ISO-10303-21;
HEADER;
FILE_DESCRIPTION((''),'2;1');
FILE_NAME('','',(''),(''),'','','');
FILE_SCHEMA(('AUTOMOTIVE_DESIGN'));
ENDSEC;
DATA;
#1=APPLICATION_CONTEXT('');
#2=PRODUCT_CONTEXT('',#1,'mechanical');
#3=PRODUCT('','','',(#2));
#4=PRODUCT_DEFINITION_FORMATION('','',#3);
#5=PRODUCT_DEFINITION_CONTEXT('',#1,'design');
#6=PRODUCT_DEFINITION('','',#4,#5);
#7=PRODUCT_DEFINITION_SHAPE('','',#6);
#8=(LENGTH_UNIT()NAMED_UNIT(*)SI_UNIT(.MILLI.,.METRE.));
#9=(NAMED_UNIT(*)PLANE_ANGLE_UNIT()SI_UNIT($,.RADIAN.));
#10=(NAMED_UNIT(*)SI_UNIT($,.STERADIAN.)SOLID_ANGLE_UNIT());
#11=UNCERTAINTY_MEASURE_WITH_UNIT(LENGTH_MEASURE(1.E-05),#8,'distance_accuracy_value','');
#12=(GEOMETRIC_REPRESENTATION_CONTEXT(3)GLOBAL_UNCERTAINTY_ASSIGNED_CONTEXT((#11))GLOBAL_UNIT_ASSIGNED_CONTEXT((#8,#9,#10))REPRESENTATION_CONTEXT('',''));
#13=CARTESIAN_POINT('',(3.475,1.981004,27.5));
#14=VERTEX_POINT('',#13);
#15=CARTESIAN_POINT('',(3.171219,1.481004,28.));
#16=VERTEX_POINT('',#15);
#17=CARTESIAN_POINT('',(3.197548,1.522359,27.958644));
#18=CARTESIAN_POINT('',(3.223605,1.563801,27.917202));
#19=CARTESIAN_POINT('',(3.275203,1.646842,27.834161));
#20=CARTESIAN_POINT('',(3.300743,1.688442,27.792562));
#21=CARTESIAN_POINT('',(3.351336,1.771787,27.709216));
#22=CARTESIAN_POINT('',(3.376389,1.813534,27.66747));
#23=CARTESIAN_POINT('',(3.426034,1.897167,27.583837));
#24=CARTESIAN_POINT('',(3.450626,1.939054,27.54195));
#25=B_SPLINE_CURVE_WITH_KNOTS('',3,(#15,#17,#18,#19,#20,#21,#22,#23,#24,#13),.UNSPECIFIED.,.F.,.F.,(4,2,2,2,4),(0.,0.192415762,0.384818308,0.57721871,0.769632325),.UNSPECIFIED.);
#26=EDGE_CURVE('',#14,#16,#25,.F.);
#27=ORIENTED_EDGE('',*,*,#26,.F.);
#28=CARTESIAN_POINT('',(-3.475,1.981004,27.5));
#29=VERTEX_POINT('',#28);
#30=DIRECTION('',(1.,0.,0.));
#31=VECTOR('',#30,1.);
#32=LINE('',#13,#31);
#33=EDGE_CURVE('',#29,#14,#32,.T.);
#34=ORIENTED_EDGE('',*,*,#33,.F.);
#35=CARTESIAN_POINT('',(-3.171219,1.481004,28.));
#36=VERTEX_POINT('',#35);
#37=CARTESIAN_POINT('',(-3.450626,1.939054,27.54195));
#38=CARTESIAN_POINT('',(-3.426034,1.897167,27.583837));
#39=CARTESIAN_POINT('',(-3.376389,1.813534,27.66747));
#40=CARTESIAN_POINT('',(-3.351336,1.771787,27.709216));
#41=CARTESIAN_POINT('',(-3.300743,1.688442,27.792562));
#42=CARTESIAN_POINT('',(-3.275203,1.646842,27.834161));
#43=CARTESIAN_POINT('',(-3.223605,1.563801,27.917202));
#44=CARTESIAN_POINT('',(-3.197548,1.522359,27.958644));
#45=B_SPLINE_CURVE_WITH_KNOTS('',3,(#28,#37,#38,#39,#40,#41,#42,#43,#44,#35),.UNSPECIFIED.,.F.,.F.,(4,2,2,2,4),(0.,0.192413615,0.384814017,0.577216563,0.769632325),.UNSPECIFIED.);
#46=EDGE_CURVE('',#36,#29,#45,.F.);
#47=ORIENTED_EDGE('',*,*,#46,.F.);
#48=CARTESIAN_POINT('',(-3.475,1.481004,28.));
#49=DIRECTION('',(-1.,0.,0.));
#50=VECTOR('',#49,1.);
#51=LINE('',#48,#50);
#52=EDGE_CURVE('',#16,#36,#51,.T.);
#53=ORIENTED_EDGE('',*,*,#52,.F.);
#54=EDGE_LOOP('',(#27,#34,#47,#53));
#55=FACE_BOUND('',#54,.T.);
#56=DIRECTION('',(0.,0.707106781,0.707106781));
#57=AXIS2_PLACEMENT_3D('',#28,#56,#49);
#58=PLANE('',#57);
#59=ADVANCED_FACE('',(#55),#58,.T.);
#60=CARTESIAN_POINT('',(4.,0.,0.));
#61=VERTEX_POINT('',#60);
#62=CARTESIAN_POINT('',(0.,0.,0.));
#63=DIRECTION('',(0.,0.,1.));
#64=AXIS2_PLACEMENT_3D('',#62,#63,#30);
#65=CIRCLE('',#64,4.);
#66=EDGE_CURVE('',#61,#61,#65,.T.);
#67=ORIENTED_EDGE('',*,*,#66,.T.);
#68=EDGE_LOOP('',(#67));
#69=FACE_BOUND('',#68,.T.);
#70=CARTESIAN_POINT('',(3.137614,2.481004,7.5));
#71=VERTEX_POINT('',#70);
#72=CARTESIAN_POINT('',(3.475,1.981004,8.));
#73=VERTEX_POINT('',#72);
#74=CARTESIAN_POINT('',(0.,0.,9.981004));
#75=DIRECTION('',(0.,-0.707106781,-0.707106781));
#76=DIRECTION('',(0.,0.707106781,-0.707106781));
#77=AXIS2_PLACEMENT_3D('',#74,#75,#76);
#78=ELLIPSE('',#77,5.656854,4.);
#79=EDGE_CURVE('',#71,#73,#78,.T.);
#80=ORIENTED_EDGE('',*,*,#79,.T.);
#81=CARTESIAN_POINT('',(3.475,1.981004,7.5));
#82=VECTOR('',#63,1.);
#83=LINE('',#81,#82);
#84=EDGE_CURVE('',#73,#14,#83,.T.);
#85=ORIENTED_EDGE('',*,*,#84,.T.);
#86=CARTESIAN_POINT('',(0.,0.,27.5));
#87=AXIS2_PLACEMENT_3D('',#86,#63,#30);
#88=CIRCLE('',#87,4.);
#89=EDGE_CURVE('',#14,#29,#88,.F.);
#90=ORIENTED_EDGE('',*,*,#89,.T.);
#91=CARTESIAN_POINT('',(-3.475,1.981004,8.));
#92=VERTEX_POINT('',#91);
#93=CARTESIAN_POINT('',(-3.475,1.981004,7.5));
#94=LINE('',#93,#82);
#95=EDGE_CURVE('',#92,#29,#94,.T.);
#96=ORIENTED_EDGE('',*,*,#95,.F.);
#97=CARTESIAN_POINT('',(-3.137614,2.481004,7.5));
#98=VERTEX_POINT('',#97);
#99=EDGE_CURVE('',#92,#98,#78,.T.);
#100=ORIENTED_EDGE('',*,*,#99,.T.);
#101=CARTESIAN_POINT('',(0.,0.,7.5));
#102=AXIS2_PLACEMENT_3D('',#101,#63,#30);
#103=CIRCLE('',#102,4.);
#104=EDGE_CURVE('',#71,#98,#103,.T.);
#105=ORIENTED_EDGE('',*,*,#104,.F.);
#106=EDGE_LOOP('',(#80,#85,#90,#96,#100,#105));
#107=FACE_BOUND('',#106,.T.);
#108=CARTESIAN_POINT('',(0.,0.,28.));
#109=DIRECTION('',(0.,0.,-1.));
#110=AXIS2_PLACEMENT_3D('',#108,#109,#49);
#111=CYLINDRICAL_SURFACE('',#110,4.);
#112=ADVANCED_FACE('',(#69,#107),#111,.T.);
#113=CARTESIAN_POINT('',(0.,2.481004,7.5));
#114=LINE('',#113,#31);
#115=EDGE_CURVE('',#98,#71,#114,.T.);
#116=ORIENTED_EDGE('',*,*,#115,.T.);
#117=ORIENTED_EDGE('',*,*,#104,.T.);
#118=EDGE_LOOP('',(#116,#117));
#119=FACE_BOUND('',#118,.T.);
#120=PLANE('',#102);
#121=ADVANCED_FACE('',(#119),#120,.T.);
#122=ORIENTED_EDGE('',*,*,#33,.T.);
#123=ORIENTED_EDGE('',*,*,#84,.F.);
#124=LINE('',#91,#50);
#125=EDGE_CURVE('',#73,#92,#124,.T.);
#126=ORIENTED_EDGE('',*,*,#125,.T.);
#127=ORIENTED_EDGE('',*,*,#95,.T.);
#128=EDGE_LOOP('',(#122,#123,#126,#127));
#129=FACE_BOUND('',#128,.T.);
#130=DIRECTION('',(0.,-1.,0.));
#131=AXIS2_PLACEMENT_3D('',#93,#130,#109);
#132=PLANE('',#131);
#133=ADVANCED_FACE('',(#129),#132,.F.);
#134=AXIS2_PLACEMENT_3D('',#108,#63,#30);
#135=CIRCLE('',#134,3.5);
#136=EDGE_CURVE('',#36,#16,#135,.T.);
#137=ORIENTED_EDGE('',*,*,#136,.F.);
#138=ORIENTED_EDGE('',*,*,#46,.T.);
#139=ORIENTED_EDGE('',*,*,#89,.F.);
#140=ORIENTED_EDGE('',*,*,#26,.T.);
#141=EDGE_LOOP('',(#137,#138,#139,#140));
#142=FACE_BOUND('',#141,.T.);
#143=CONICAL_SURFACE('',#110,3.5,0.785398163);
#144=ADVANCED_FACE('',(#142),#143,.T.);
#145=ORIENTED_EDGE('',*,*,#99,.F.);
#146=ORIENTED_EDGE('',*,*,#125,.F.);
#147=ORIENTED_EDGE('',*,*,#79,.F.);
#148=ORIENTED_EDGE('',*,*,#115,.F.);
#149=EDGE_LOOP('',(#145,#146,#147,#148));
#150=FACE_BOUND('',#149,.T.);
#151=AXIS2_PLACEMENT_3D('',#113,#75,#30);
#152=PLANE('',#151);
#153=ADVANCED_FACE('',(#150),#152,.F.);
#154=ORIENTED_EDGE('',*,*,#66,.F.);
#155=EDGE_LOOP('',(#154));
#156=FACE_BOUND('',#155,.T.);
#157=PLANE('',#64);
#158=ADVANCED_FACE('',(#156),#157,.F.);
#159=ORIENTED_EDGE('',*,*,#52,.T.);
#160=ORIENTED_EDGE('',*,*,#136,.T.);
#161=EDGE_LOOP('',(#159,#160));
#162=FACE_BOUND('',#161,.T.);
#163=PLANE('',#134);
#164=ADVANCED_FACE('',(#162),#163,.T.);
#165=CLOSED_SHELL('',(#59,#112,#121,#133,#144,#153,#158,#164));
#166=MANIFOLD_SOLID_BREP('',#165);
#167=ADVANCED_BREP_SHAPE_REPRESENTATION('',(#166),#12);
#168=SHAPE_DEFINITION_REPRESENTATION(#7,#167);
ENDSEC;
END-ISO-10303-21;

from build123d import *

# Parameters (mm, degrees)
SKETCH2_R           = 4
BOSS_EXTRUDE1_DEPTH = 28
CUT_EXTRUDE1_DEPTH  = 20.5
CHAMFER2_SIZE       = 0.5


with BuildPart() as part:
    # Sketch2 → Boss-Extrude1 (new body)
    with BuildSketch(Plane.XY):
        Circle(SKETCH2_R)
    extrude(amount=BOSS_EXTRUDE1_DEPTH)

    # Sketch4 → Cut-Extrude1 (cut)
    with BuildSketch(Plane.XY.offset(28)):
        Polygon((-3.475, 1.981003534), (3.475, 1.981003534), (3.475, 4), (0, 4), (-3.475, 4), align=None)
    extrude(amount=-CUT_EXTRUDE1_DEPTH, mode=Mode.SUBTRACT)

    # Chamfer2
    chamfer2_edges = [part.edges().sort_by_distance(p)[0] for p in [
        (0, 1.981003534, 7.5),
        (-1.024695077, -3.866522986, 28),
        (0, 1.981003534, 28),
    ]]
    chamfer(chamfer2_edges, length=CHAMFER2_SIZE)


solid = part.part
